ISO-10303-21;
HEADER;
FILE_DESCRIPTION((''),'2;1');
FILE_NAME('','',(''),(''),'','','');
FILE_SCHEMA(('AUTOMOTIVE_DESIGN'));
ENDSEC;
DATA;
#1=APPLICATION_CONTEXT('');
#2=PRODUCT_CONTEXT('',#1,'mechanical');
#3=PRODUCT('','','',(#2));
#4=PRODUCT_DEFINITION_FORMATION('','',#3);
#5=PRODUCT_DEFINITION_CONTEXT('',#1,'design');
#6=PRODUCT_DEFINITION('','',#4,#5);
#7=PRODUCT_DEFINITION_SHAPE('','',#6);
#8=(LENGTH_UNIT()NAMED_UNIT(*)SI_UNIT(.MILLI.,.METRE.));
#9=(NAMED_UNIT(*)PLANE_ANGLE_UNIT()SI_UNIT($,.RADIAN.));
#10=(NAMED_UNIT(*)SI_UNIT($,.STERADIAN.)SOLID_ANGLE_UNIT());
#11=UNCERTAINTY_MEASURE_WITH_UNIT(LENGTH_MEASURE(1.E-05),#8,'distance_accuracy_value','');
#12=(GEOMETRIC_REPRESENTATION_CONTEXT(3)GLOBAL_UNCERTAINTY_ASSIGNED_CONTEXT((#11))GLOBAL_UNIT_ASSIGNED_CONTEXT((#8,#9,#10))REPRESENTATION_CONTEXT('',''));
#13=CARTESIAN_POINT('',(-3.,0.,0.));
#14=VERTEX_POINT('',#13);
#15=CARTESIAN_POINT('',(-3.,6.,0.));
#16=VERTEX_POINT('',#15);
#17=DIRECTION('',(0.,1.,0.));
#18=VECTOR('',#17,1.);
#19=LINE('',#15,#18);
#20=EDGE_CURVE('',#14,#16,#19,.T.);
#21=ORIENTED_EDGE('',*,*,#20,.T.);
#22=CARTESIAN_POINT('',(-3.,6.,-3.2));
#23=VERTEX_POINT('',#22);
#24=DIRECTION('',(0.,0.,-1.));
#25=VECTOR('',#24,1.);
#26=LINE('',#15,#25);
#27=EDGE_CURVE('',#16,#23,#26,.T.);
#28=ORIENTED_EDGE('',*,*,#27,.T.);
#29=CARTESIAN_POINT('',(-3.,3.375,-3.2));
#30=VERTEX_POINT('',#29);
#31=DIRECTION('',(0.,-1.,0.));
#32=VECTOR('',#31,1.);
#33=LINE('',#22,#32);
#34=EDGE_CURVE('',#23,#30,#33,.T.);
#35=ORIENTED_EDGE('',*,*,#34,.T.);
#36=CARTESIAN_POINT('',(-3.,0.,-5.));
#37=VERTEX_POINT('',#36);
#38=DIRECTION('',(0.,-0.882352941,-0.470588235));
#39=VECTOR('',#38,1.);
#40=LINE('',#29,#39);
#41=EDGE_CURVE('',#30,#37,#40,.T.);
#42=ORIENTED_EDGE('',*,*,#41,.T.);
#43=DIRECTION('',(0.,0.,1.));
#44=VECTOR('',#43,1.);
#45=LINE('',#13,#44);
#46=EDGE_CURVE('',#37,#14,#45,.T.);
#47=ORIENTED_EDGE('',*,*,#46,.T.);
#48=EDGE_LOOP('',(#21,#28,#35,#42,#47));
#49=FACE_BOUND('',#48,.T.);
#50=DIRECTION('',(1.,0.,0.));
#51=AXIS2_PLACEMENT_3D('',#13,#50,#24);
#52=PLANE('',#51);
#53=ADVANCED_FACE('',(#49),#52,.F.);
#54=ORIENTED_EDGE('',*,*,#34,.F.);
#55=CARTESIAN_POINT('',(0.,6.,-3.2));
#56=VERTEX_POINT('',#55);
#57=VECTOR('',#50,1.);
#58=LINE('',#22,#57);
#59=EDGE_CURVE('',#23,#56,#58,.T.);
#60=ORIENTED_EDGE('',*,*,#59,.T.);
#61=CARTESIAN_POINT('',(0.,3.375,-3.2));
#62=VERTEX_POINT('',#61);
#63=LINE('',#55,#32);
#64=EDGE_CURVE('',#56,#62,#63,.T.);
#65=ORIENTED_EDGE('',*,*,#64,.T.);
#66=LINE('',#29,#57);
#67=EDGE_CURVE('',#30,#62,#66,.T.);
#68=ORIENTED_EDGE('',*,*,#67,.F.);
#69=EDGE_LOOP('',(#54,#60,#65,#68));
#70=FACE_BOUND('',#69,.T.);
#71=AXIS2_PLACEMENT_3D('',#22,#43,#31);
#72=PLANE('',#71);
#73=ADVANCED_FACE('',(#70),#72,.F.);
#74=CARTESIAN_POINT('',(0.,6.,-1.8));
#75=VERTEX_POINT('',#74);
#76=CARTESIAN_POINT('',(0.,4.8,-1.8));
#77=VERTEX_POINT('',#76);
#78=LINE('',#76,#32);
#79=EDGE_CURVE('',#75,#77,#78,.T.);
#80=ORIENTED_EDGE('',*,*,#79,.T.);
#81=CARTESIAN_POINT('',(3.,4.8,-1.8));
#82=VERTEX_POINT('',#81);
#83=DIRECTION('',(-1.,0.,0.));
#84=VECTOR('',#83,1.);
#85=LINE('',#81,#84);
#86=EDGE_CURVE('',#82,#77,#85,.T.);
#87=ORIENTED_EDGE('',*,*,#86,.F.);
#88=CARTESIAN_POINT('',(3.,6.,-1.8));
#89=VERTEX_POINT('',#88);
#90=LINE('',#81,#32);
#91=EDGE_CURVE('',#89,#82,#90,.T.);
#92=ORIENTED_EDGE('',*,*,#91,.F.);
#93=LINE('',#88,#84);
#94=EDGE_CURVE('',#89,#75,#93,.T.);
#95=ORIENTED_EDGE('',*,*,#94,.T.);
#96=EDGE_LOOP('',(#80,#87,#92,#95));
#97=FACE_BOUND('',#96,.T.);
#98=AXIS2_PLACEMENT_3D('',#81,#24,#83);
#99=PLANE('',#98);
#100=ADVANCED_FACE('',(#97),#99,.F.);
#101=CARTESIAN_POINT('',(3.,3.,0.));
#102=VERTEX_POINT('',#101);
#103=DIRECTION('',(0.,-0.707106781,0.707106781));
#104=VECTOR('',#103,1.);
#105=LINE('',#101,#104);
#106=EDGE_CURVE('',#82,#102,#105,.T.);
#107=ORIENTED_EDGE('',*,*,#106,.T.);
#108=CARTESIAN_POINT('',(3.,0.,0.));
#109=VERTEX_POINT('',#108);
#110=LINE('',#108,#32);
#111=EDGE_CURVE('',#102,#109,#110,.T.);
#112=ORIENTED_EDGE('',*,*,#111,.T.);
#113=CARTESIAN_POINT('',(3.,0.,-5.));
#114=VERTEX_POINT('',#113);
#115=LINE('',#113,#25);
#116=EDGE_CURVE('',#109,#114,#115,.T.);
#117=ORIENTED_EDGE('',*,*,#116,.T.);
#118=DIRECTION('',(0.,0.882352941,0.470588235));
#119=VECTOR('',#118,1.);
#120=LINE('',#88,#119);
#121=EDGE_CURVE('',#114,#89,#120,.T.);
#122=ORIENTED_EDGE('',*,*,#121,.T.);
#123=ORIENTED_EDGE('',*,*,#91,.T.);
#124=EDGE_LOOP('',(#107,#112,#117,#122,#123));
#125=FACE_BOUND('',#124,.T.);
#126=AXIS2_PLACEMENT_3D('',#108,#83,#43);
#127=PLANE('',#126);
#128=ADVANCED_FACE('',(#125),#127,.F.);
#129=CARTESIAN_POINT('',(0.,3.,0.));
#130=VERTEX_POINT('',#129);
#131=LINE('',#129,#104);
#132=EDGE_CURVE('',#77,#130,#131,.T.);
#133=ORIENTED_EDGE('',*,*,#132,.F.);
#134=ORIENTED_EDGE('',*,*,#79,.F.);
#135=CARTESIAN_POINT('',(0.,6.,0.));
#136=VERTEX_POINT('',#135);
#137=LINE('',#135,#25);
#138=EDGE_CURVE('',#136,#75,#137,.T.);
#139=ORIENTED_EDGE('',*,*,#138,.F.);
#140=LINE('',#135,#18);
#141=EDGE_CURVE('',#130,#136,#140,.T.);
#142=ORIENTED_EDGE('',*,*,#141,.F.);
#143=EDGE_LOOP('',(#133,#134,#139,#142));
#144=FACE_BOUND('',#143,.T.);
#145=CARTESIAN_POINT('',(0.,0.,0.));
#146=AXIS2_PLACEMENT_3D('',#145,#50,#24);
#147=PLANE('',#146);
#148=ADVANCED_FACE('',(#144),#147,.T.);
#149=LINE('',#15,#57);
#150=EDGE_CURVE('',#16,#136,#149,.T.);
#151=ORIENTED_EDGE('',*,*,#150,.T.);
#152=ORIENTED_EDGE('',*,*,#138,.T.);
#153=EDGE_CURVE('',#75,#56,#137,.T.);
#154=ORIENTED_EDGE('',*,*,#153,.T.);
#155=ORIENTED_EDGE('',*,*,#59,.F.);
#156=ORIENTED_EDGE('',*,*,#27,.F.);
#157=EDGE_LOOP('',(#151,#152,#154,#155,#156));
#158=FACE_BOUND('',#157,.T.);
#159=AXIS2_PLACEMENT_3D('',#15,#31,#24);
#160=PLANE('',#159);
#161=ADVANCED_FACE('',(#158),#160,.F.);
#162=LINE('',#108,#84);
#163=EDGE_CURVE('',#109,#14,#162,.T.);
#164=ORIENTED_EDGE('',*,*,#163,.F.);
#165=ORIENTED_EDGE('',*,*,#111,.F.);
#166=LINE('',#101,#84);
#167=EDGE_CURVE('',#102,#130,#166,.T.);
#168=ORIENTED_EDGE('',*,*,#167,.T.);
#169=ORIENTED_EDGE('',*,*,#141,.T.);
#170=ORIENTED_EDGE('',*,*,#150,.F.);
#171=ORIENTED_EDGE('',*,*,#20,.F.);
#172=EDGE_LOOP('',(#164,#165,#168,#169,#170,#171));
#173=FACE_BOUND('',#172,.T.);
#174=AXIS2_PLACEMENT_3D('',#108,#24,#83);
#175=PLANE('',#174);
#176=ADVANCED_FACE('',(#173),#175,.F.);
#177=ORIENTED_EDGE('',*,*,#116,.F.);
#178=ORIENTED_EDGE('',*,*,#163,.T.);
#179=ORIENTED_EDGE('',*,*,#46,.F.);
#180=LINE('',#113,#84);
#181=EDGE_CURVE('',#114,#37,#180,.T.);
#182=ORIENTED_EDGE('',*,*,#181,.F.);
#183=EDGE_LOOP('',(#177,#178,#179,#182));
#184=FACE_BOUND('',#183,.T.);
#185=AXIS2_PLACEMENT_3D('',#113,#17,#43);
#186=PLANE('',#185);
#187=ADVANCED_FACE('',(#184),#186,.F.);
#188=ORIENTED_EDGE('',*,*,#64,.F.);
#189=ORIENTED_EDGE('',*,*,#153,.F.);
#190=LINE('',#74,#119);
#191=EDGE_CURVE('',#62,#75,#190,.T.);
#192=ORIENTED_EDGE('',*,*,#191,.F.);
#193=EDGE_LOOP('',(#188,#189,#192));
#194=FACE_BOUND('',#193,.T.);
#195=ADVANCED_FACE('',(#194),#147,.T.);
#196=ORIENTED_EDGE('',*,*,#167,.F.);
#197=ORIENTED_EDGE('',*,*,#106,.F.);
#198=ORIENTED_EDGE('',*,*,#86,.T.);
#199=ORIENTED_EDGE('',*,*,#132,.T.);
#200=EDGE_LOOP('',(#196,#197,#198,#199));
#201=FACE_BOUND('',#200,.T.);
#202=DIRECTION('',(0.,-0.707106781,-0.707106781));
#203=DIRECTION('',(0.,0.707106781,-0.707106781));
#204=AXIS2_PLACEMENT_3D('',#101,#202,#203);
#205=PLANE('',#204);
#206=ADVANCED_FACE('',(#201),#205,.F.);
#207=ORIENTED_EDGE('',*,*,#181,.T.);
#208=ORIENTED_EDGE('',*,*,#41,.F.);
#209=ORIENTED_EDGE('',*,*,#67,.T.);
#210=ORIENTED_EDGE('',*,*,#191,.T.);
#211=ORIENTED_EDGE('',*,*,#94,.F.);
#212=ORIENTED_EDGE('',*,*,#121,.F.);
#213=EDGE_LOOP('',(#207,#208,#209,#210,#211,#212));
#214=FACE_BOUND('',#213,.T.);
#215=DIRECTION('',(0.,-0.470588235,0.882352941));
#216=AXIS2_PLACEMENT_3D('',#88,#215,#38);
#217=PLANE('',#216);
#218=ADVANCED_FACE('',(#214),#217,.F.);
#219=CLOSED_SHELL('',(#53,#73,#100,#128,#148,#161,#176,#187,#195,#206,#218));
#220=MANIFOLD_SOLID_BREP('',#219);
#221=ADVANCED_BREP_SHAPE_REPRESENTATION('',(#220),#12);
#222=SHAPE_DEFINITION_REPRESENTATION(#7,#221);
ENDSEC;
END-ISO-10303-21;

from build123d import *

# Parameters (mm, degrees)
BOSS_EXTRUDE1_DEPTH = 3
SKETCH2_W           = 3.2
SKETCH2_H           = 6
BOSS_EXTRUDE2_DEPTH = 3
BOSS_EXTRUDE3_DEPTH = 3


with BuildPart() as part:
    # Sketch1 → Boss-Extrude1 (new body)
    with BuildSketch(Plane(origin=(0, 0, 0), x_dir=(0, 0, -1), z_dir=(1, 0, 0))):
        Polygon((0, 0), (0, 3), (1.8, 4.8), (1.8, 6), (5, 0), align=None)
    extrude(amount=BOSS_EXTRUDE1_DEPTH)

    # Sketch2 → Boss-Extrude2 (add)
    with BuildSketch(Plane.ZY):
        with Locations((-1.6, 3)):
            Rectangle(SKETCH2_W, SKETCH2_H)
    extrude(amount=BOSS_EXTRUDE2_DEPTH)

    # Sketch3 → Boss-Extrude3 (add)
    with BuildSketch(Plane.ZY):
        Polygon((-5, 0), (-3.2, 0), (-3.2, 3.375), align=None)
    extrude(amount=BOSS_EXTRUDE3_DEPTH)


solid = part.part
